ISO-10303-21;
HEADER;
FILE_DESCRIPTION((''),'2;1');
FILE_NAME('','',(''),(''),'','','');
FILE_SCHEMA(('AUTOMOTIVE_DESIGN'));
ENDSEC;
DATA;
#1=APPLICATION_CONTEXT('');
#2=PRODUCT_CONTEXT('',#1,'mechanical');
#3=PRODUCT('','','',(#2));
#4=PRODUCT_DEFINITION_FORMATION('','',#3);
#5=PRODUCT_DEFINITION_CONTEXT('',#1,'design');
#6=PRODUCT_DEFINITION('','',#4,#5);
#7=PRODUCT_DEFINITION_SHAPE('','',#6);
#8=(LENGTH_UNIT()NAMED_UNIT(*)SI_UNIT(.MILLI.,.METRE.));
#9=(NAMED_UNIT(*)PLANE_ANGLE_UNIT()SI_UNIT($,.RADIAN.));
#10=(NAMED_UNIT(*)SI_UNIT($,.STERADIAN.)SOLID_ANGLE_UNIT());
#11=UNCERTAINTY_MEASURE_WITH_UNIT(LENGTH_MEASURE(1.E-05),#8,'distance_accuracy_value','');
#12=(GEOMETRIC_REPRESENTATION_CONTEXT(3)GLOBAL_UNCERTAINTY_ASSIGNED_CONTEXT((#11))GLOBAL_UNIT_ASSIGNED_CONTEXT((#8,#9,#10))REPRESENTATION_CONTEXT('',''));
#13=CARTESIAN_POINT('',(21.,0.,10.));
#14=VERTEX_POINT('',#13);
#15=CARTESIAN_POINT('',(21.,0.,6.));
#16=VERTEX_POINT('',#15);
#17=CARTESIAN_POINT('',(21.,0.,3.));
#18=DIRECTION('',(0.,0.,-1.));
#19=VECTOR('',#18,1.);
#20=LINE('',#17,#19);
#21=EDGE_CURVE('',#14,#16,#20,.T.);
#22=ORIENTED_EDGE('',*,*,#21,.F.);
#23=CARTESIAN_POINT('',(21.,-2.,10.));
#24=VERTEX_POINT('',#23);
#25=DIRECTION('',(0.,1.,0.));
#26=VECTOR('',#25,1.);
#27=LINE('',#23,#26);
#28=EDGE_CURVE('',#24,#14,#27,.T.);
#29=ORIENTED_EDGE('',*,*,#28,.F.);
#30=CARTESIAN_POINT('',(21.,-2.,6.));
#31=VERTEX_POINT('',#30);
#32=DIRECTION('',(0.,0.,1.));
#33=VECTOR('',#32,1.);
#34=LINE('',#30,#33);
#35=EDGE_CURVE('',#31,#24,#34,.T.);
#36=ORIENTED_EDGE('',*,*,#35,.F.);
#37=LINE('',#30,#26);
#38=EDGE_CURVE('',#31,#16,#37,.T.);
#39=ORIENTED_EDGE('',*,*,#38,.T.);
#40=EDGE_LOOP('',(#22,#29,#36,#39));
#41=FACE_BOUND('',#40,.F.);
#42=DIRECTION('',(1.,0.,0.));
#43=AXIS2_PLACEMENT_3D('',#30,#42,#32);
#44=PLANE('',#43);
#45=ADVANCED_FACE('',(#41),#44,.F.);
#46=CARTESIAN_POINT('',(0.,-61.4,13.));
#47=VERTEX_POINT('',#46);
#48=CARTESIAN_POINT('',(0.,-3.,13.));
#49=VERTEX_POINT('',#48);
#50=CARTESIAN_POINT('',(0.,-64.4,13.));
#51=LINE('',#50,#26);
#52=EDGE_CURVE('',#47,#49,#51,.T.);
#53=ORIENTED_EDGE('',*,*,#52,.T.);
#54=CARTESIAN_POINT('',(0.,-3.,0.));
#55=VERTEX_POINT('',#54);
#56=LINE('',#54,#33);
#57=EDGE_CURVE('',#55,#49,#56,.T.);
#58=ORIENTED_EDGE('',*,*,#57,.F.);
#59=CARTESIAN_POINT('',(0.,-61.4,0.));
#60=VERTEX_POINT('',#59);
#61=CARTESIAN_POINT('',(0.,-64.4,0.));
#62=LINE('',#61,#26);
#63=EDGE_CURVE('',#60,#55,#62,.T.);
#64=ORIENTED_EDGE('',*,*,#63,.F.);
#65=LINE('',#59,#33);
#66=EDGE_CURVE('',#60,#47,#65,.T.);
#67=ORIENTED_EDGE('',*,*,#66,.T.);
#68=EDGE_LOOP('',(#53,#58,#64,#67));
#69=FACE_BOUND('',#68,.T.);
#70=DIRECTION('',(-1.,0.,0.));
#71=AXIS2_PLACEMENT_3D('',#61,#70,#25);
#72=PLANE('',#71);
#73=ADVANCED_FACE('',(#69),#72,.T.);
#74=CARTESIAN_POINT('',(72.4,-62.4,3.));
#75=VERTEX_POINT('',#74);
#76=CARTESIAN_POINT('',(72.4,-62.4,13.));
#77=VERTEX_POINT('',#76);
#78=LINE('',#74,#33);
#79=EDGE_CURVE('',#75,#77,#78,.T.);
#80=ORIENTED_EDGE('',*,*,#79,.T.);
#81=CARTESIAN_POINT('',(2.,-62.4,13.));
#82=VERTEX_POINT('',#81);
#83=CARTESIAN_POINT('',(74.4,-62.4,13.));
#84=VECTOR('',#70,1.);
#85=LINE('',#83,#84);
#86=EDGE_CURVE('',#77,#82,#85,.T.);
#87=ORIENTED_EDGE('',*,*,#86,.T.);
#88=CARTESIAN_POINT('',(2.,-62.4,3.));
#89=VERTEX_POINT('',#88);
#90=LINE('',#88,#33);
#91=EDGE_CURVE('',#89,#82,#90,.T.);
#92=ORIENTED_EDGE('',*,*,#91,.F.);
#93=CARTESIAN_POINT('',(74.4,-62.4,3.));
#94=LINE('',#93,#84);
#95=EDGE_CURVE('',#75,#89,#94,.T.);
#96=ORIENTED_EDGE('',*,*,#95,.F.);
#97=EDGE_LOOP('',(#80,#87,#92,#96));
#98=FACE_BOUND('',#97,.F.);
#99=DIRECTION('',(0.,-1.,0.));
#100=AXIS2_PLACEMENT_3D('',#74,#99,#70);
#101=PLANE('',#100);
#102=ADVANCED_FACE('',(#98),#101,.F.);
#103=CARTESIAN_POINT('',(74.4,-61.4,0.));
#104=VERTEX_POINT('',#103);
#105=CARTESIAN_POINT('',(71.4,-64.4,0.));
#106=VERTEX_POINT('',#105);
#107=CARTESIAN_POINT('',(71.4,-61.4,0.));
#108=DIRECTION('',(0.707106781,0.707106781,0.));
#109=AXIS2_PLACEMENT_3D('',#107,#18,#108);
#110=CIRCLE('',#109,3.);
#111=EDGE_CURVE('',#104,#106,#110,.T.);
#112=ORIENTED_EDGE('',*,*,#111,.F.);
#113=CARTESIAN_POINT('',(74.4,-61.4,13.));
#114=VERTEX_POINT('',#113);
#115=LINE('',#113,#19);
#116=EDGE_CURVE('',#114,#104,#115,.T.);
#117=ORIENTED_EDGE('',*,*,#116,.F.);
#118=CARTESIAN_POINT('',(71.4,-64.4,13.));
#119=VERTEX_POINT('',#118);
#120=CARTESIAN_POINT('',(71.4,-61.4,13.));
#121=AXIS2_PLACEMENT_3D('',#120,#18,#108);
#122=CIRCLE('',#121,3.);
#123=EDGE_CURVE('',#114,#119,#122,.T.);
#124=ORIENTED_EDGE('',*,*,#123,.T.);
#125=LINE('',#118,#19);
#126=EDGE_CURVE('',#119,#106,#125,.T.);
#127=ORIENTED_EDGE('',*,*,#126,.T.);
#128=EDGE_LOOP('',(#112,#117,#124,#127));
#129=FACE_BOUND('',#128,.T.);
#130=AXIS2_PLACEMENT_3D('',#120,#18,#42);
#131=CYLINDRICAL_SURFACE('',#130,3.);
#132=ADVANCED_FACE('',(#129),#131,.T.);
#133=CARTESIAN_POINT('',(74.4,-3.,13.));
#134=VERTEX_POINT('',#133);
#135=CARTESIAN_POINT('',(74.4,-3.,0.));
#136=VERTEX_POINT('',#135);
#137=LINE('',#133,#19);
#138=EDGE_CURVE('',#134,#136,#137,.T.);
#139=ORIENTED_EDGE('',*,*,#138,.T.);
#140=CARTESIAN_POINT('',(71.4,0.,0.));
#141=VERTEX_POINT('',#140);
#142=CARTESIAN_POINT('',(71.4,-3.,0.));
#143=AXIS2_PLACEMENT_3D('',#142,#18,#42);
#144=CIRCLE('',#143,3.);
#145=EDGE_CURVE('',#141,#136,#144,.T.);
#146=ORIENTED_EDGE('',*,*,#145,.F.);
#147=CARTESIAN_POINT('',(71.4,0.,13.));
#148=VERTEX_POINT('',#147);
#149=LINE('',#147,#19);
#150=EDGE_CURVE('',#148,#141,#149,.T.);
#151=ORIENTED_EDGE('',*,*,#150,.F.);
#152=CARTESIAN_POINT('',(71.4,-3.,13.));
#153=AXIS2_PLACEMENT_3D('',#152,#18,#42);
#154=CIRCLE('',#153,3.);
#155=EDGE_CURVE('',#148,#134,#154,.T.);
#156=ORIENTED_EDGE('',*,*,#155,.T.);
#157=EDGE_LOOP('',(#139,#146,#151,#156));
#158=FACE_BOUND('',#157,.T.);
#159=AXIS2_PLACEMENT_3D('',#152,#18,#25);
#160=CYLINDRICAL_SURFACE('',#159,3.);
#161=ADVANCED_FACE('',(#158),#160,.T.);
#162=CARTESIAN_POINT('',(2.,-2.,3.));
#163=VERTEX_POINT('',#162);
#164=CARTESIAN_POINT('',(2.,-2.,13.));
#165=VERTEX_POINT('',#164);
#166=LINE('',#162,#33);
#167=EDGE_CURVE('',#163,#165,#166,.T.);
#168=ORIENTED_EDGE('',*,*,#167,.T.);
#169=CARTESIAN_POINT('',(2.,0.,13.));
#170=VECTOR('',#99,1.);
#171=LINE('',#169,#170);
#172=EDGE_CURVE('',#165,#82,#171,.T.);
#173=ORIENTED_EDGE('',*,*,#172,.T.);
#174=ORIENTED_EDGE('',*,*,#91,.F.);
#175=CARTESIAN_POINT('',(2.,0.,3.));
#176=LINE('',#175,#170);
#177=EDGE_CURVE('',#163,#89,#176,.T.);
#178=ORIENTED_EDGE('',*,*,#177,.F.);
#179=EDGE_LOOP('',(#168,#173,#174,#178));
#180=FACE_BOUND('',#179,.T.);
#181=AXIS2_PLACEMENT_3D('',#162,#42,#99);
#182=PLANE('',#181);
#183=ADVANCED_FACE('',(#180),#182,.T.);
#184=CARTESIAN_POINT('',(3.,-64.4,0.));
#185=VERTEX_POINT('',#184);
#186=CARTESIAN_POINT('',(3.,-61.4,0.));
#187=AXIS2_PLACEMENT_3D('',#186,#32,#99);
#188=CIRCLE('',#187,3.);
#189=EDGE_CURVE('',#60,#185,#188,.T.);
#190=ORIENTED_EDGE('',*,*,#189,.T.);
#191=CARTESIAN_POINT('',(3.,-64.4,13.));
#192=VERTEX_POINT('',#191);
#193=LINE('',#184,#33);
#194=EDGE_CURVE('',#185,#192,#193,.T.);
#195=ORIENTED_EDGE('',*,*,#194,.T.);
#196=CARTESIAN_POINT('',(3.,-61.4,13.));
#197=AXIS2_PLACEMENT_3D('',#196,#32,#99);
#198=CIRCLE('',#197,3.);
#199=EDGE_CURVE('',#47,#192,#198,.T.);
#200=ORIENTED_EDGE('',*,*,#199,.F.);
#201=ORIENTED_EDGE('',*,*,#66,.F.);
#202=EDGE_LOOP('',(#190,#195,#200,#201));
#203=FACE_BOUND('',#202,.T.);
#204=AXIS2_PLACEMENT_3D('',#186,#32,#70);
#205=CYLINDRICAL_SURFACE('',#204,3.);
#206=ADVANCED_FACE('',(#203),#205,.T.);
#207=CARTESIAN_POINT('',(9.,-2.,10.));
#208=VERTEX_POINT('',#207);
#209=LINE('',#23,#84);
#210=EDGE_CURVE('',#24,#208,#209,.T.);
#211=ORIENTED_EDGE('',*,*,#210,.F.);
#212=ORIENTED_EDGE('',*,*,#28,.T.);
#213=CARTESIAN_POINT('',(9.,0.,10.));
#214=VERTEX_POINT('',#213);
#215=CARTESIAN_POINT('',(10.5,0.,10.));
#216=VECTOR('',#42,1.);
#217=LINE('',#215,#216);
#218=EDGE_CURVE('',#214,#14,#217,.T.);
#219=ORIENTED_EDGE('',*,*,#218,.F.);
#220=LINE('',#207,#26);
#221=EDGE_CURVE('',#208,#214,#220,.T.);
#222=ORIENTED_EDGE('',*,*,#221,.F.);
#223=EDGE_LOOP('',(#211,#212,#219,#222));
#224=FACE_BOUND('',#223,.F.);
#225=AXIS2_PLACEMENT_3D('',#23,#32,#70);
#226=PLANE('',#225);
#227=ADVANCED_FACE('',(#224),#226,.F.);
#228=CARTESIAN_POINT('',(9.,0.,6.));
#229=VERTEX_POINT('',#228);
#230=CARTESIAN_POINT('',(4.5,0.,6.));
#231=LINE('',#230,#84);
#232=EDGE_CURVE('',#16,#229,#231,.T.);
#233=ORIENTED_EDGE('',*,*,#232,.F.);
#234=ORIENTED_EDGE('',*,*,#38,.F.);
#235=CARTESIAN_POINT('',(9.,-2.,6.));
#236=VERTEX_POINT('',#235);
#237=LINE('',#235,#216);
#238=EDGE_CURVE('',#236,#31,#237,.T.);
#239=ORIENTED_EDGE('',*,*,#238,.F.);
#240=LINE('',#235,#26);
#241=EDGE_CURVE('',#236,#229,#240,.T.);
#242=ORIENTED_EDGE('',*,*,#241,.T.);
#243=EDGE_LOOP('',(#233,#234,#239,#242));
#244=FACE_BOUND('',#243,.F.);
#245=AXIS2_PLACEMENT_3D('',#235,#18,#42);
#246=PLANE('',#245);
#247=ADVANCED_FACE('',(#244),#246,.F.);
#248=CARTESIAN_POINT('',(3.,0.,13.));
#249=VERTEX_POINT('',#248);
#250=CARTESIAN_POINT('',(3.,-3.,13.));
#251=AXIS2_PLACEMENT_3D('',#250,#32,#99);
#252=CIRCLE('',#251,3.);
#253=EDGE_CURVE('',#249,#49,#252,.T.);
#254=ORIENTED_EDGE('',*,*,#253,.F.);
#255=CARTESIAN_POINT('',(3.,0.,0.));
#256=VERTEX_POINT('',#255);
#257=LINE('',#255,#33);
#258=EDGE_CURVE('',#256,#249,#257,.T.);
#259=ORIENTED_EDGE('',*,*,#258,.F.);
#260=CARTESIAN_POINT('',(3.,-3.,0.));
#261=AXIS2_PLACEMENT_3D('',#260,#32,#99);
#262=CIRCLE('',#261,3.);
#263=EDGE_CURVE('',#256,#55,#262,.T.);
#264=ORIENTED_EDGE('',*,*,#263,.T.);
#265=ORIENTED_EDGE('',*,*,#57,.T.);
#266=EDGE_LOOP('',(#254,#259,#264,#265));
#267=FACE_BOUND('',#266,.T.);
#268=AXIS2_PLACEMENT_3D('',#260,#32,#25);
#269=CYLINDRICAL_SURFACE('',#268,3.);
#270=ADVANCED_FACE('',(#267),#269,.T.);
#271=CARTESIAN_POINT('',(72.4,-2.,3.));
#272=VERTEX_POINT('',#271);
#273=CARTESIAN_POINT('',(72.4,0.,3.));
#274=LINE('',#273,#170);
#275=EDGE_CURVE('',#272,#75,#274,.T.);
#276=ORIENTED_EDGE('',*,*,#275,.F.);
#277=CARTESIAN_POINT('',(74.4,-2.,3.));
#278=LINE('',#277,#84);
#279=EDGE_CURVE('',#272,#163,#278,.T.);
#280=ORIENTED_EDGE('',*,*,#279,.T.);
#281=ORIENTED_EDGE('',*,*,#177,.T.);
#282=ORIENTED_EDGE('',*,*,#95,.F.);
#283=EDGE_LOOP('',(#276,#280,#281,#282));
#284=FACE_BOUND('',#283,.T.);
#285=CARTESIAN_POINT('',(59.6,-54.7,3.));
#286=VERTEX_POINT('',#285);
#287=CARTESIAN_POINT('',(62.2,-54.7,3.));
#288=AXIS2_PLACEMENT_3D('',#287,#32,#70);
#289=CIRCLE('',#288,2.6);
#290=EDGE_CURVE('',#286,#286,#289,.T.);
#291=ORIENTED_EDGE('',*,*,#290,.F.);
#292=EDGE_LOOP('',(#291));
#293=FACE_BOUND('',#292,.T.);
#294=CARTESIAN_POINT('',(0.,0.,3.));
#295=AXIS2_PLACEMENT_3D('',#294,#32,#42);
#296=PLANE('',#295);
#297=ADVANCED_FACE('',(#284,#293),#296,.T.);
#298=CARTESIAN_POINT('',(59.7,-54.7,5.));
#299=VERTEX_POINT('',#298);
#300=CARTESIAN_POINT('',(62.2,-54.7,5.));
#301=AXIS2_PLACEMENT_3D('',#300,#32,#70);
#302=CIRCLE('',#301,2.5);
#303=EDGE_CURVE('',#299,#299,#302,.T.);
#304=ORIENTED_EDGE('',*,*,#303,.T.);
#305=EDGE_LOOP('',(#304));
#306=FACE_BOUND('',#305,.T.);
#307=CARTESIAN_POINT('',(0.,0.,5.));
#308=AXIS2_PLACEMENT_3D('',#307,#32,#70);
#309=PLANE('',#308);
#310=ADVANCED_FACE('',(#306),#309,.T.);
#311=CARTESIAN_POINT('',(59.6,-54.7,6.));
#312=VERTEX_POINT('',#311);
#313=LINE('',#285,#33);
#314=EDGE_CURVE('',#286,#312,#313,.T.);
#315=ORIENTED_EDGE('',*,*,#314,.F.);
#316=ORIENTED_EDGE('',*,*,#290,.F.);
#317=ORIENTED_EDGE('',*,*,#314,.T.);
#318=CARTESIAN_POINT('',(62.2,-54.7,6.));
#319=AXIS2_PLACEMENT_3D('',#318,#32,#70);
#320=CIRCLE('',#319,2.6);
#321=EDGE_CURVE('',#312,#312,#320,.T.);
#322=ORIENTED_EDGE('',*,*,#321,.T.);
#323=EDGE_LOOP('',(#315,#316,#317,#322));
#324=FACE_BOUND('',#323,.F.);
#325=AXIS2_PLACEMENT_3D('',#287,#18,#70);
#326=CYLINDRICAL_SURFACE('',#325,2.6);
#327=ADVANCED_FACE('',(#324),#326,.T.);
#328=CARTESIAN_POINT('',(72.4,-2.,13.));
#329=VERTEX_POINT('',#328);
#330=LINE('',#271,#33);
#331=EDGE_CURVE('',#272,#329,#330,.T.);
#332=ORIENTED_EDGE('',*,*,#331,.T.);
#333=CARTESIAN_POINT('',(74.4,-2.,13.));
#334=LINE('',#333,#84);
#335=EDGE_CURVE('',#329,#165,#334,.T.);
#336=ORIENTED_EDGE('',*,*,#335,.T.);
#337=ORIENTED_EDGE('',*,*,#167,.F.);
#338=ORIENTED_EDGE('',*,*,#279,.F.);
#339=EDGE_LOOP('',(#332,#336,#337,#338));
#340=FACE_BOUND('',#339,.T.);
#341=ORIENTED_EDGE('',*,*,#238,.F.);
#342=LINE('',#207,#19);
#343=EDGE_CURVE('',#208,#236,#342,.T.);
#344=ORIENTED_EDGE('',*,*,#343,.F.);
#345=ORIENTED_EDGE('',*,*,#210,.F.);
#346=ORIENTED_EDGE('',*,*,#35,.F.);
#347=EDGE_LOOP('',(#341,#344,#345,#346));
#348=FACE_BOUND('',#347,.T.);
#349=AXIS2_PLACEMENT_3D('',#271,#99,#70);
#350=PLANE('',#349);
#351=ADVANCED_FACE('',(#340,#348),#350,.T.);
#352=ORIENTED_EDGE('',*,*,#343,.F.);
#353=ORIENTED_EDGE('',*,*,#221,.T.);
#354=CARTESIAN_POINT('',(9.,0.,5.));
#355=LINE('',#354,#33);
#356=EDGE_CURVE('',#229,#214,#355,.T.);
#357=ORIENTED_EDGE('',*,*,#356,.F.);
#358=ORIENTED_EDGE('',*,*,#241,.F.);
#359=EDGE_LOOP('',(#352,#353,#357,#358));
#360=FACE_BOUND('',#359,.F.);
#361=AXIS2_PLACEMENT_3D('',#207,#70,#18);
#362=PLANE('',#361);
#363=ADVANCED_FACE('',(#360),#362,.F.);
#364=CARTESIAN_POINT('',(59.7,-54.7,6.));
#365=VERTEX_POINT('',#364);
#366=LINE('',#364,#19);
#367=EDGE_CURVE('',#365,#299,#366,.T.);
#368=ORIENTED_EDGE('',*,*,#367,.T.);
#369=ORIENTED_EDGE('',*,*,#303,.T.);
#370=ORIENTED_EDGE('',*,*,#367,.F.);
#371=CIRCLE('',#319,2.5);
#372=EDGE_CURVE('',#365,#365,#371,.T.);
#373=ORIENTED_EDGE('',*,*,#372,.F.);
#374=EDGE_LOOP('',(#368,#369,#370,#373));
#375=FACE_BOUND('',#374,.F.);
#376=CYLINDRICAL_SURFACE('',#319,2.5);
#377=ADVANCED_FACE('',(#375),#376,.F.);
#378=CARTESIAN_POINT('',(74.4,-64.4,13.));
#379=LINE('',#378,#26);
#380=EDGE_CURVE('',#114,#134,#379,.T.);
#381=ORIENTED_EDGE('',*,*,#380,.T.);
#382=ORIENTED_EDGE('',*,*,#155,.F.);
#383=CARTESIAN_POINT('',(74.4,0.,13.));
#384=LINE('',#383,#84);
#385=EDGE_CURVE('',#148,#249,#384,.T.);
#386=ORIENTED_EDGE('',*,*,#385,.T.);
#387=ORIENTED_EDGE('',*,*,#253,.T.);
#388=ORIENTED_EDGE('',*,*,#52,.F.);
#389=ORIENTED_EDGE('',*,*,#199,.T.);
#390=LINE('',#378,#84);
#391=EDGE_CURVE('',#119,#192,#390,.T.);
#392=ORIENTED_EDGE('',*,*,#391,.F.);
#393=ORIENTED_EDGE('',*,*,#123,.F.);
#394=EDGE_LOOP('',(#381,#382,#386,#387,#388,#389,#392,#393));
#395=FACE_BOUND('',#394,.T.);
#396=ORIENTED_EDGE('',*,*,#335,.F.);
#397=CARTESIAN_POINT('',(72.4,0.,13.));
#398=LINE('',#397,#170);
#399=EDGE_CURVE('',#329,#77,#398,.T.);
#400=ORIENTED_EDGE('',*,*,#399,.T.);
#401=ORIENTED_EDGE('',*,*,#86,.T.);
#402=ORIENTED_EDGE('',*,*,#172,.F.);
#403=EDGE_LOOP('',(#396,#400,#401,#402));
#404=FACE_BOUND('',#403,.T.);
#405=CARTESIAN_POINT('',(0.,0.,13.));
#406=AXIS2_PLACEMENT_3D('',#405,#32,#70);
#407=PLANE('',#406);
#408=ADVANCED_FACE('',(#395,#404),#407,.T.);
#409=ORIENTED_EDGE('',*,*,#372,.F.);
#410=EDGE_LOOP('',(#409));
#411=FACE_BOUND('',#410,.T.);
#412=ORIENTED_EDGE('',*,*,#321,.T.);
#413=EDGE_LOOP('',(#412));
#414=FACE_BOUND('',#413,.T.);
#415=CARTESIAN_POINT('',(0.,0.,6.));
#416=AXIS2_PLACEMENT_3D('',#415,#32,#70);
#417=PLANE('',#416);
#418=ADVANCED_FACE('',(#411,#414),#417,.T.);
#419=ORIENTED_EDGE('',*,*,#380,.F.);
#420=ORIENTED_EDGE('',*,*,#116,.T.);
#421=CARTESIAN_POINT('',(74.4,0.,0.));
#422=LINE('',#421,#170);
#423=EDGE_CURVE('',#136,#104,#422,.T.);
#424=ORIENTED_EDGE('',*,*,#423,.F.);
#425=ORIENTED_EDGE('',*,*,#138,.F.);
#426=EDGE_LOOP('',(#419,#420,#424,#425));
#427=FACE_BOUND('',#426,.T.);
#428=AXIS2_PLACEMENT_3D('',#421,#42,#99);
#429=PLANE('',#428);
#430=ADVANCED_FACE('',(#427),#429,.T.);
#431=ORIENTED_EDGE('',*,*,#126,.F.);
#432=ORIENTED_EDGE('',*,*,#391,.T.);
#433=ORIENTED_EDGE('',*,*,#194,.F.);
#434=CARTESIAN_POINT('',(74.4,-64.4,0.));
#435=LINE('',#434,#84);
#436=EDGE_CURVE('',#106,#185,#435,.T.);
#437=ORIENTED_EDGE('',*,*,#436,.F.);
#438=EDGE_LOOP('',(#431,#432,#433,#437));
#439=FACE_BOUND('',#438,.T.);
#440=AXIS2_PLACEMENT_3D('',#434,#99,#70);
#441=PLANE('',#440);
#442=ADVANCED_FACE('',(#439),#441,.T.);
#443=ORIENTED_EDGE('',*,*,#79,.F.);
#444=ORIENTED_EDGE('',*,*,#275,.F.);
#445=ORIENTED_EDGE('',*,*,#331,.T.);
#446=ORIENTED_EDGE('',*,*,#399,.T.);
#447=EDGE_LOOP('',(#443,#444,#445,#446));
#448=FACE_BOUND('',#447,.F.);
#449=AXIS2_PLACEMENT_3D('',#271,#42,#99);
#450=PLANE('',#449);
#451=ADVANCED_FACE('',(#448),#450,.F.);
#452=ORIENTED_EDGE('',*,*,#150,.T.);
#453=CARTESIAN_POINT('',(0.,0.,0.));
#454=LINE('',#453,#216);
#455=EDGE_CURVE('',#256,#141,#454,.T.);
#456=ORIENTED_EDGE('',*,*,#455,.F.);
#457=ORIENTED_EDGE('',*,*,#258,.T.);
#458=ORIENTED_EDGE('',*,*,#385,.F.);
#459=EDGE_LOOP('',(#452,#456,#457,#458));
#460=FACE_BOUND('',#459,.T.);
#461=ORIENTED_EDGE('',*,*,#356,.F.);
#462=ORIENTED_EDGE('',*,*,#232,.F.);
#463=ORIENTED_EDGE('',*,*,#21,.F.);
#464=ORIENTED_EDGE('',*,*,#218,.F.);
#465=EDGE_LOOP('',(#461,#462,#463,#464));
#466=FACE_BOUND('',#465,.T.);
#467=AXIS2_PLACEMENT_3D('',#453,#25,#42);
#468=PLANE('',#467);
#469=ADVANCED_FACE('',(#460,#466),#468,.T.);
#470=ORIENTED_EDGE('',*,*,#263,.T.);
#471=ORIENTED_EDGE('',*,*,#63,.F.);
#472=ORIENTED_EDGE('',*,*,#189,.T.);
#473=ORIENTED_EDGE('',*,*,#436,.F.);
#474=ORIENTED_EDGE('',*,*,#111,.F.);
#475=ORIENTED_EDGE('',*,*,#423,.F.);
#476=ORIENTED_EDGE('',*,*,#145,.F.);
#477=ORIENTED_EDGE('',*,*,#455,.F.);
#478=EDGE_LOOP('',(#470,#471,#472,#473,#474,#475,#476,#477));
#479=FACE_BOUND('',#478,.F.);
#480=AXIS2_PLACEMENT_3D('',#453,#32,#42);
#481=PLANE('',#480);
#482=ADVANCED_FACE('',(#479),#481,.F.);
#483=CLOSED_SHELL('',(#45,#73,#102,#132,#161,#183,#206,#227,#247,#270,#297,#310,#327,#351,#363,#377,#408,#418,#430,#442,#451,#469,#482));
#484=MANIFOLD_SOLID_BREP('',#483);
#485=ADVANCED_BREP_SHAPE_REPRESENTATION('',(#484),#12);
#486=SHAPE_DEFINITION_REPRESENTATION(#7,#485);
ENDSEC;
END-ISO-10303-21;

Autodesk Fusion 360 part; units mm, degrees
sketch "Sketch3" plane through (0, 0, 0) normal (0, 0, 1) x (1, 0, 0)
  line L0 (0, 0) -> (74.4, 0)
  line L1 (74.4, 0) -> (74.4, -64.4)
  line L2 (74.4, -64.4) -> (0, -64.4)
  line L3 (0, -64.4) -> (0, 0)
  dimension "d8" = 74.4
  dimension "d9" = 64.4
extrude "Extrude2" add sketch "Sketch3" along normal blind 3
sketch "Sketch4" plane through (0, 0, 3) normal (0, 0, 1) x (-1, 0, 0)
  line L0 (0, 64.4) -> (-74.4, 64.4)
  line L1 (-74.4, 64.4) -> (-74.4, 0)
  line L2 (-74.4, 0) -> (0, 0)
  line L3 (0, 0) -> (0, 64.4)
  line L4 (0, 0) -> (-74.4, 0)
  line L5 (-74.4, 0) -> (-74.4, 2)
  line L6 (-74.4, 2) -> (0, 2)
  line L7 (0, 2) -> (0, 0)
  line L8 (-74.4, 0) -> (-72.4, 0)
  line L9 (-72.4, 0) -> (-72.4, 64.4)
  line L10 (-72.4, 64.4) -> (-74.4, 64.4)
  line L11 (-74.4, 64.4) -> (-74.4, 0)
  line L12 (0, 0) -> (-2, 0)
  line L13 (-2, 0) -> (-2, 64.4)
  line L14 (-2, 64.4) -> (0, 64.4)
  line L15 (0, 64.4) -> (0, 0)
  line L16 (0, 64.4) -> (-74.4, 64.4)
  line L17 (-74.4, 64.4) -> (-74.4, 62.4)
  line L18 (-74.4, 62.4) -> (0, 62.4)
  line L19 (0, 62.4) -> (0, 64.4)
  dimension "d12" = 2
  dimension "d13" = 2
  dimension "d14" = 2
  dimension "d15" = 2
extrude "Extrude3" add sketch "Sketch4" along normal blind 10 contours L0 L3 L13 L14 L15 L16 L18 L19 | L0 L9 L13 L16 L18 | L3 L6 L13 L15 L18 | L0 L1 L9 L10 L11 L16 L17 L18 | L2 L3 L4 L6 L7 L12 L13 L15 | L1 L6 L9 L11 L18 | L2 L4 L6 L9 L13 | L1 L2 L4 L5 L6 L8 L9 L11
sketch "Sketch6" plane through (0, 0, 0) normal (0, 1, 0) x (-1, 0, 0)
  line L0 (-74.4, 0) -> (0, 0)
  line L1 (0, 0) -> (0, 13)
  line L2 (0, 13) -> (-74.4, 13)
  line L3 (-74.4, 13) -> (-74.4, 0)
  line L4 (-8.3, 5) -> (-22.3, 5)
  line L5 (-22.3, 5) -> (-22.3, 9)
  line L6 (-22.3, 9) -> (-8.3, 9)
  line L7 (-8.3, 9) -> (-8.3, 5)
  dimension "d23" = 14
  dimension "d24" = 8.3
  dimension "d25" = 5
fillet "Fillet1" radius 3 4 edges at (74.4, -64.4, 6.5) (74.4, 0, 6.5) (0, 0, 6.5) (0, -64.4, 6.5)
sketch "Sketch7" plane through (0, 0, 3) normal (0, 0, 1) x (-1, 0, 0)
  line L0 (-2, 62.4) -> (-72.4, 62.4)
  line L1 (-72.4, 62.4) -> (-72.4, 2)
  line L2 (-72.4, 2) -> (-2, 2)
  line L3 (-2, 2) -> (-2, 62.4)
  circle A0 centre (-62.2, 54.7) radius 2.6
  dimension "d30" = 5.2
  dimension "d31" = 10.2
  dimension "d32" = 7.7
extrude "Extrude5" add sketch "Sketch7" along normal blind 3 contours A0
sketch "Sketch8" plane through (0, 0, 6) normal (0, 0, 1) x (-1, 0, 0)
  circle A0 centre (-62.2, 54.7) radius 2.6
  circle A1 centre (-62.2, 54.7) radius 2.5
  dimension "d35" = 5
extrude "Extrude6" cut sketch "Sketch8" against normal blind 1 contours A1
sketch "Sketch10" plane through (0, -2, 0) normal (0, -1, 0) x (1, 0, 0)
  line L0 (2, 3) -> (72.4, 3)
  line L1 (72.4, 3) -> (72.4, 13)
  line L2 (72.4, 13) -> (2, 13)
  line L3 (2, 13) -> (2, 3)
  line L4 (9, 6) -> (21, 6)
  line L5 (21, 6) -> (21, 10)
  line L6 (21, 10) -> (9, 10)
  line L7 (9, 10) -> (9, 6)
  dimension "d46" = 12
  dimension "d47" = 4
  dimension "d48" = 3
  dimension "d49" = 7
extrude "Extrude8" cut sketch "Sketch10" against normal blind 3 contours L4 L5 L6 L7
